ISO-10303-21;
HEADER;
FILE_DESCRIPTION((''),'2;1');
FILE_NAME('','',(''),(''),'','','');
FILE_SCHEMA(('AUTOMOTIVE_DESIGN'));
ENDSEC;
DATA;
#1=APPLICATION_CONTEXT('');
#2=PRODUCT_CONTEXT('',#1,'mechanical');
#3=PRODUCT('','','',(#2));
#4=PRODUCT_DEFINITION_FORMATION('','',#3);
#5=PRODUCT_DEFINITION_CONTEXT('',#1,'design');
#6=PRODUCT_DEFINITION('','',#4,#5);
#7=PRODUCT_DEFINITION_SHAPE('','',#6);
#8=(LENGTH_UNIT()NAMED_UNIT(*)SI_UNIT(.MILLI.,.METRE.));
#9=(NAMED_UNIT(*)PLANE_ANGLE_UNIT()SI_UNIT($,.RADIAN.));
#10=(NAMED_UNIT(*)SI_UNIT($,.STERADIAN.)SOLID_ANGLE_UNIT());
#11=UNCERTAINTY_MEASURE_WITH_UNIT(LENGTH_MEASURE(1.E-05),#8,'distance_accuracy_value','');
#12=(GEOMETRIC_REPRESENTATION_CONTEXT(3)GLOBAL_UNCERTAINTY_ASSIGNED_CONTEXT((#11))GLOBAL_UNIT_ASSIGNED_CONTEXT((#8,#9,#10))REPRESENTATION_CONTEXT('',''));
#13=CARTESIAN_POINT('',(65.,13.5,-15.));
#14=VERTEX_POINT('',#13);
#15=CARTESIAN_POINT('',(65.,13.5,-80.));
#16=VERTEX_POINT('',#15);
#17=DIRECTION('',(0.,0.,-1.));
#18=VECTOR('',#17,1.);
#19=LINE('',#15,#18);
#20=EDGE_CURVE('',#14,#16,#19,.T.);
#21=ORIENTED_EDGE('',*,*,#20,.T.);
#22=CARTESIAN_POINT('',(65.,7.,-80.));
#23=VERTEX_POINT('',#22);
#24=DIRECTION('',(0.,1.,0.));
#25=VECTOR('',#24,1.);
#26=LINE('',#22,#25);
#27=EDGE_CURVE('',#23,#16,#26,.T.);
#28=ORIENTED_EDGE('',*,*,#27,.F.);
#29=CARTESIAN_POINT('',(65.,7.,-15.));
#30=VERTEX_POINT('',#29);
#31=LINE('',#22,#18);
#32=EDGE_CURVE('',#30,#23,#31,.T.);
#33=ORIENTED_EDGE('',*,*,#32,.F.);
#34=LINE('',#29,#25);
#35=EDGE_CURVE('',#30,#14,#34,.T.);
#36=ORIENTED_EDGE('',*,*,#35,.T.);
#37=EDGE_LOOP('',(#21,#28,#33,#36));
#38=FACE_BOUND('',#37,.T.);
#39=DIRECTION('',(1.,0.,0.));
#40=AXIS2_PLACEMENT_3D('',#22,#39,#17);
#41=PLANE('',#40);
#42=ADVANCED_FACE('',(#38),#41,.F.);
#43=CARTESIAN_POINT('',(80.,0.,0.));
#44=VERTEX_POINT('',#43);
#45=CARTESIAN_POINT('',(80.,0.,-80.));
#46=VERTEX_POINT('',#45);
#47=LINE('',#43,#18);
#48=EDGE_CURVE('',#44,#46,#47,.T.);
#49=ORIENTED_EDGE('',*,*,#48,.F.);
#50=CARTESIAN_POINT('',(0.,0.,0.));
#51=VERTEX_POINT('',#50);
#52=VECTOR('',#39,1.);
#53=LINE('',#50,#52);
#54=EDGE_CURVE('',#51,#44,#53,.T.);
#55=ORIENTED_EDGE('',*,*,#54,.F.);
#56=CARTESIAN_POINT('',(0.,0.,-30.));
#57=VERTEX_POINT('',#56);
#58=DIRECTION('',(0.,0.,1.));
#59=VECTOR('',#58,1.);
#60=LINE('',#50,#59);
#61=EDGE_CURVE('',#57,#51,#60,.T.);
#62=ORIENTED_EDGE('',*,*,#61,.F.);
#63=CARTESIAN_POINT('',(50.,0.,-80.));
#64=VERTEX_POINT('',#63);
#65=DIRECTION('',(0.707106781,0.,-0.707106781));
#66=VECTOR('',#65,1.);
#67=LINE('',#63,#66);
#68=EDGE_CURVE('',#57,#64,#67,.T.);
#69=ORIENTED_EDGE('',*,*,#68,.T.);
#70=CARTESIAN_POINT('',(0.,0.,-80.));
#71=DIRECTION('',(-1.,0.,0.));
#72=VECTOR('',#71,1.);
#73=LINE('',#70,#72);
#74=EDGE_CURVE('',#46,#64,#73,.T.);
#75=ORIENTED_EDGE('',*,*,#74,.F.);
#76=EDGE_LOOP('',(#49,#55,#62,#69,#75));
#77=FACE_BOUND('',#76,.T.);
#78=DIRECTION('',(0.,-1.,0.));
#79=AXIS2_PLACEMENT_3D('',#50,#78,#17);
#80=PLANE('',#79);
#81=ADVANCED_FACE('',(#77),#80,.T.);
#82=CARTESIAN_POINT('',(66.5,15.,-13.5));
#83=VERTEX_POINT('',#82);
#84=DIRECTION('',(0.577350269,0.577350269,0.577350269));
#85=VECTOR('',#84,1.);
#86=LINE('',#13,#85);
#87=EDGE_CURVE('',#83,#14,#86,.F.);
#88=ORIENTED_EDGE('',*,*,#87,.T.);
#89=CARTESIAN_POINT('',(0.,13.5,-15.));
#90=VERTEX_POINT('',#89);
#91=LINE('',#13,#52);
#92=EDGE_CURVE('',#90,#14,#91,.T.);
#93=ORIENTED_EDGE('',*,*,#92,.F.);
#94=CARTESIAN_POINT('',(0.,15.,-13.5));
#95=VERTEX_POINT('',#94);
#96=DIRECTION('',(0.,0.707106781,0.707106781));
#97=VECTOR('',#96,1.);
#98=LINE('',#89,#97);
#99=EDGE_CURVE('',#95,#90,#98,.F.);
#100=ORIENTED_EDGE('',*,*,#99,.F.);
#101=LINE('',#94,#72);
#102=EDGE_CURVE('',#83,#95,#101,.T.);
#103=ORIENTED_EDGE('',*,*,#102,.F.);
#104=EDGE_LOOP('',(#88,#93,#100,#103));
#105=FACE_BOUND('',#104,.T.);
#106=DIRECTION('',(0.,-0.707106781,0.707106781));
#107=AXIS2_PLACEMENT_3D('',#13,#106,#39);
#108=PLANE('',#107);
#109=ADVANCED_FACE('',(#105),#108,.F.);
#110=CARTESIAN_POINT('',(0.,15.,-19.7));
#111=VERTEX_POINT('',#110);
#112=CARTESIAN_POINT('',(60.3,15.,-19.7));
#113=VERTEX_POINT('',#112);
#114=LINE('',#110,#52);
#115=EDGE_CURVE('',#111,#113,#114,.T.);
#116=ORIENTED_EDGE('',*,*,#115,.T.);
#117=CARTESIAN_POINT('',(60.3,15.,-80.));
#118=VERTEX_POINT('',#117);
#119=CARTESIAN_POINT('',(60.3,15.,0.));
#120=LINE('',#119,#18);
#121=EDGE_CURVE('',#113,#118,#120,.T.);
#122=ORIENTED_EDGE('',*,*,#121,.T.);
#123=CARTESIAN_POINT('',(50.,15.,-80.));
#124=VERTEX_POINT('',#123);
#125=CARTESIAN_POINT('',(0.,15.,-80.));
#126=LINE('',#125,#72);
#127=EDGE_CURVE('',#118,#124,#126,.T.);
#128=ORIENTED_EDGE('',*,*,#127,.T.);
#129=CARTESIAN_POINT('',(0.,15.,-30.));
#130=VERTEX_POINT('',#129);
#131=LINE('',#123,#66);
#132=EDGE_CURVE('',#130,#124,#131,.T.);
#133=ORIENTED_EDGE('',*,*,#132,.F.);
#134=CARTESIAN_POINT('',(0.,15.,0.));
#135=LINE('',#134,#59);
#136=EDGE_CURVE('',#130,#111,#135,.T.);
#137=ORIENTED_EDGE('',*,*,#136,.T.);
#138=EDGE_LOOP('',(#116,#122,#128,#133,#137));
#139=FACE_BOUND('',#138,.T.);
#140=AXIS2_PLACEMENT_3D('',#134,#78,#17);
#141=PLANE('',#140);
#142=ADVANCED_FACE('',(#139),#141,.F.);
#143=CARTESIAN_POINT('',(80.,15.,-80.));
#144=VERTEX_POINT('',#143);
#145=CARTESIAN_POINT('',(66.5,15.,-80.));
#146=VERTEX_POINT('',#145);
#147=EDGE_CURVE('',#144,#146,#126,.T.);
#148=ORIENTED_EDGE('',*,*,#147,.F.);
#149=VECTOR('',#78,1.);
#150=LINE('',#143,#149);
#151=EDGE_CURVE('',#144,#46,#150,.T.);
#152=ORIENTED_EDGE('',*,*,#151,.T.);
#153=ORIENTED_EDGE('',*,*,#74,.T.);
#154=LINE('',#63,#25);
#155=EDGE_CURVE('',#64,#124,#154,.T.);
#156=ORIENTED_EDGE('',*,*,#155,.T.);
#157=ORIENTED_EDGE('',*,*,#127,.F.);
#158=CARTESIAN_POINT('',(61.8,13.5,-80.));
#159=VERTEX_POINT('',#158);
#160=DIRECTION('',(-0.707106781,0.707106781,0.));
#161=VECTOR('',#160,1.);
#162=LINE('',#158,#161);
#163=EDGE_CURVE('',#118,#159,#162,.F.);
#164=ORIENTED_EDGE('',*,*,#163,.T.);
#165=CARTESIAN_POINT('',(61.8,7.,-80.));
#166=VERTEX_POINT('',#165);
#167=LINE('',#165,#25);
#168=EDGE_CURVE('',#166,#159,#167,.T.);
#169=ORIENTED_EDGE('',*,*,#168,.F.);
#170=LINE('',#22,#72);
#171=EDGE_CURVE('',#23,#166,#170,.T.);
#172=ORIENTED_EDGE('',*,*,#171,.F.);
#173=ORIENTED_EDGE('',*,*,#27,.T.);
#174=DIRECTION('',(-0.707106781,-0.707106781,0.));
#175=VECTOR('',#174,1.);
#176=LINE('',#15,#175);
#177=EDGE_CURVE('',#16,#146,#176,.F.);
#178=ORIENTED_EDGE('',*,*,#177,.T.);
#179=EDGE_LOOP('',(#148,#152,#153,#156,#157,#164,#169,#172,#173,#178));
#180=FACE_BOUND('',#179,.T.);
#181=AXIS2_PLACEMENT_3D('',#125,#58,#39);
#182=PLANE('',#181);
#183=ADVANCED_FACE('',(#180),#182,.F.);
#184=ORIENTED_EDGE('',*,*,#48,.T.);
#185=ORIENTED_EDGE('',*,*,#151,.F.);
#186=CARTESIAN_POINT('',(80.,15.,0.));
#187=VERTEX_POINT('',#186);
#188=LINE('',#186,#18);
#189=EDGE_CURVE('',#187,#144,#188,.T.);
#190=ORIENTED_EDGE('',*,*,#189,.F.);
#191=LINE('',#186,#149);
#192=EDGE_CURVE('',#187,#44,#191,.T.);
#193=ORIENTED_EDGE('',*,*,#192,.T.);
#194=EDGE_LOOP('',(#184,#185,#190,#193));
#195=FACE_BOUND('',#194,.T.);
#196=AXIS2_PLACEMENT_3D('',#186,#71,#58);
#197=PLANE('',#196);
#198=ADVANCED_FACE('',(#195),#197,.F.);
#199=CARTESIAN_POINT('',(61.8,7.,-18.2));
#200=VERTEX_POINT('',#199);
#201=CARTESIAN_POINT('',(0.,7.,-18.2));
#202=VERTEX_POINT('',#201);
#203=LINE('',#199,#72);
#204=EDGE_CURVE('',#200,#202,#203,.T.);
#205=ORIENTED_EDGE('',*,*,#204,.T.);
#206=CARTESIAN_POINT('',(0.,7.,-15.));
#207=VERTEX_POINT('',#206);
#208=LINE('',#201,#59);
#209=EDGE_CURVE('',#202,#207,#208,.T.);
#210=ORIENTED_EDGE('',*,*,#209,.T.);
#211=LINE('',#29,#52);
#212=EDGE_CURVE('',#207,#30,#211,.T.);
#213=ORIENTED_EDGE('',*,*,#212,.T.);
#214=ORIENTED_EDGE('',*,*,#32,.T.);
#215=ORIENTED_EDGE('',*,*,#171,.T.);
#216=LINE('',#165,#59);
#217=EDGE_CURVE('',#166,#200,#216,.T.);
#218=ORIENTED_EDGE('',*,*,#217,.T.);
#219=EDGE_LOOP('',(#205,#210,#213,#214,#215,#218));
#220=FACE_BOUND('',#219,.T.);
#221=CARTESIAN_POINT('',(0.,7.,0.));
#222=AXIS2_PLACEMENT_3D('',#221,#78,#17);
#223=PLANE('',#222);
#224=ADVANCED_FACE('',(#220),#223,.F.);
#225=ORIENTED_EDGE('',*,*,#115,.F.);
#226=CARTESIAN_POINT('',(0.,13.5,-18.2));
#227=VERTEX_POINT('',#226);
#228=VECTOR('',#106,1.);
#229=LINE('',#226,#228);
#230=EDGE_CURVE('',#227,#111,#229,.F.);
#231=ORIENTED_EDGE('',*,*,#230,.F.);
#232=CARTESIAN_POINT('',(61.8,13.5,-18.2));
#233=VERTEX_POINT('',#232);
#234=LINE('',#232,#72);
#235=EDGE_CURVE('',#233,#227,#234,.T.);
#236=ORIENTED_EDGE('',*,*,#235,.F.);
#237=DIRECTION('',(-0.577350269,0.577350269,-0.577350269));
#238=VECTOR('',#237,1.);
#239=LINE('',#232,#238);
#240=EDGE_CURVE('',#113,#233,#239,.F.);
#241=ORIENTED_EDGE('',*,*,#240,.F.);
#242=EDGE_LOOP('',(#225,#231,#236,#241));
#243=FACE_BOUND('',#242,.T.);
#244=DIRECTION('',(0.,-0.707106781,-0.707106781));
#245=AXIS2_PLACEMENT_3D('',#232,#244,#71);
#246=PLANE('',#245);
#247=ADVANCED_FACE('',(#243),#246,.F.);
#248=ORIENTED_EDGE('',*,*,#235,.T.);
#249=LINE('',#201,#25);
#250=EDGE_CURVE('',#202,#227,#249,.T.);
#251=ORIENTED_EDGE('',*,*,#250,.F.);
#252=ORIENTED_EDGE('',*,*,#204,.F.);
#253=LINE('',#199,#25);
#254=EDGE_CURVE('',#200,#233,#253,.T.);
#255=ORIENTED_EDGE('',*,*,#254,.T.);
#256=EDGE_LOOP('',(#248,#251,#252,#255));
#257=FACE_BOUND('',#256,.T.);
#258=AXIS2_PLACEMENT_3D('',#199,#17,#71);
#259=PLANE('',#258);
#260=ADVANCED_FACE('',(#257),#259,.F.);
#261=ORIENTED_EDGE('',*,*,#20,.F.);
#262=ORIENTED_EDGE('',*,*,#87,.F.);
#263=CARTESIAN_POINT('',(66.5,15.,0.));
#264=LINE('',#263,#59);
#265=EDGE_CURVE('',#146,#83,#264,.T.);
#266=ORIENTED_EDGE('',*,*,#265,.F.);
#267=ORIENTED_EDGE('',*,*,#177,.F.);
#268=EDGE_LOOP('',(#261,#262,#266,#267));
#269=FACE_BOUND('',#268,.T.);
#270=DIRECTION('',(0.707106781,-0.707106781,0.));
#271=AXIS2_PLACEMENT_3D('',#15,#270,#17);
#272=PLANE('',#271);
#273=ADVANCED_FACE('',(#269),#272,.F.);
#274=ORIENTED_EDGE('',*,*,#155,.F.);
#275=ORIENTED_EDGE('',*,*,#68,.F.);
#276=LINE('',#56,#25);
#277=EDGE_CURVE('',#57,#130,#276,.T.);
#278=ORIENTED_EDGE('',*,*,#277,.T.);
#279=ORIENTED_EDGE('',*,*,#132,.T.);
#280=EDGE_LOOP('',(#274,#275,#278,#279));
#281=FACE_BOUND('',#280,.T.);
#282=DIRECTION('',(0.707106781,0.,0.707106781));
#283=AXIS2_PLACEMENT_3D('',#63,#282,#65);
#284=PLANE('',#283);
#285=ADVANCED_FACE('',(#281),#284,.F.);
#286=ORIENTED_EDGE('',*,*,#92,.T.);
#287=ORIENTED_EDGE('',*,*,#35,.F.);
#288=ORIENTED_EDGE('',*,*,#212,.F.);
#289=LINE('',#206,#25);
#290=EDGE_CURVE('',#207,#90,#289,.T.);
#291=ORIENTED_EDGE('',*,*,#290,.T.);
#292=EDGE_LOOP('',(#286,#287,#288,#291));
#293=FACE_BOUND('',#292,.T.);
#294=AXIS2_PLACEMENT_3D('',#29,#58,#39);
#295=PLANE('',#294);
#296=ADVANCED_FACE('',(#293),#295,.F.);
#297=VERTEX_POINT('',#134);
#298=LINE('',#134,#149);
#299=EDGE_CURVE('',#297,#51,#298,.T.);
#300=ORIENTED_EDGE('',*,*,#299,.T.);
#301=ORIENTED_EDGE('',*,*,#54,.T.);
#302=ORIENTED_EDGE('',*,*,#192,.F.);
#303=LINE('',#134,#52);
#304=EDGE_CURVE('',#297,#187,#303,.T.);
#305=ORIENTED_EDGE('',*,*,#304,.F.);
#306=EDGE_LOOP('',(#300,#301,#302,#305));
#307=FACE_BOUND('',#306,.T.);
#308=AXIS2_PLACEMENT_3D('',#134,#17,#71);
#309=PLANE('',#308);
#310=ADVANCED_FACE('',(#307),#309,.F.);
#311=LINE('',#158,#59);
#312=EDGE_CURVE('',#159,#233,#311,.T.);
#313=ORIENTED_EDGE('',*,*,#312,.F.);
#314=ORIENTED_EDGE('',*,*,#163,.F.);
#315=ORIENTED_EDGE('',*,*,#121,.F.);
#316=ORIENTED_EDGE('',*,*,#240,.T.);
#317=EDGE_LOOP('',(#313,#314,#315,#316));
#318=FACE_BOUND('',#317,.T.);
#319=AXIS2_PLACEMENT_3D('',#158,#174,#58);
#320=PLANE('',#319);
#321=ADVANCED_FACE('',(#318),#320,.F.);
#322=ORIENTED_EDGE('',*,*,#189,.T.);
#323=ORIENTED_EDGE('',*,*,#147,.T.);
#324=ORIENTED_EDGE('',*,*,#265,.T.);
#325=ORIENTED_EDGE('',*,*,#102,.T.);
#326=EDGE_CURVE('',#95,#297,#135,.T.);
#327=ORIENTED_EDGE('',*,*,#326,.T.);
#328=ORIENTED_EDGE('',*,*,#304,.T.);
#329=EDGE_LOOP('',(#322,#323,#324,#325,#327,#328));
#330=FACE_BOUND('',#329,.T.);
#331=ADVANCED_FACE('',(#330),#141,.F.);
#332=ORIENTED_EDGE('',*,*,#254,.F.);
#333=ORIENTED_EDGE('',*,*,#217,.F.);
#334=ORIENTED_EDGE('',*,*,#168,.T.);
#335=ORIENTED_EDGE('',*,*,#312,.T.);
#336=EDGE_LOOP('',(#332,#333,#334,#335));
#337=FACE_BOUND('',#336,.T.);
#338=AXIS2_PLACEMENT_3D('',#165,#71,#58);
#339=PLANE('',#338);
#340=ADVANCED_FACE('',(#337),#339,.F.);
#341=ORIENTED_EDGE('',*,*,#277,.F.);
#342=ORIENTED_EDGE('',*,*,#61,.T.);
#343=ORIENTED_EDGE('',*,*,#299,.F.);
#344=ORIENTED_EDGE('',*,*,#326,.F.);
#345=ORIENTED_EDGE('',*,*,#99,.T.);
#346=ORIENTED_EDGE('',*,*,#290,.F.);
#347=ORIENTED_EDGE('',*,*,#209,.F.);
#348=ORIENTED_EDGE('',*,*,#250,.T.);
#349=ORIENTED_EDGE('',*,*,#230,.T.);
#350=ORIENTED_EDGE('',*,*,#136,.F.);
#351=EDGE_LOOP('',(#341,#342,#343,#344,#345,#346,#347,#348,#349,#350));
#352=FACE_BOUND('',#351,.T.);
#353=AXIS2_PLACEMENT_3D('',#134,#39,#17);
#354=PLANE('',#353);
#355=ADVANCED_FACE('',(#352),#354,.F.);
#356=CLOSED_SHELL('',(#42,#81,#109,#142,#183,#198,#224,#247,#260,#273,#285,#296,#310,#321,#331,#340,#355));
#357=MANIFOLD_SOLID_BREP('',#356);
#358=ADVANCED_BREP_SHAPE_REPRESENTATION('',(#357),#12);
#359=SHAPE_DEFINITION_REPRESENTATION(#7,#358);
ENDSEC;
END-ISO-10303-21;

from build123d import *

# Parameters (mm, degrees)
SKETCH1_W           = 80
SKETCH1_H           = 80
BOSS_EXTRUDE1_DEPTH = 15
CUT_EXTRUDE2_DEPTH  = 8
CHAMFER3_SIZE       = 1.5
CUT_EXTRUDE3_DEPTH  = 115.127122105


with BuildPart() as part:
    # Sketch1 → Boss-Extrude1 (new body)
    with BuildSketch(Plane(origin=(0, 0, 0), x_dir=(1, 0, 0), z_dir=(0, 1, 0))):
        with Locations((40, 40)):
            Rectangle(SKETCH1_W, SKETCH1_H)
    extrude(amount=BOSS_EXTRUDE1_DEPTH)

    # Sketch3 → Cut-Extrude2 (cut)
    with BuildSketch(Plane(origin=(0, 15, 0), x_dir=(1, 0, 0), z_dir=(0, 1, 0))):
        Polygon((65, 80), (61.8, 80), (61.8, 18.2), (0, 18.2), (0, 15), (65, 15), align=None)
    extrude(amount=-CUT_EXTRUDE2_DEPTH, mode=Mode.SUBTRACT)

    # Chamfer3
    chamfer3_edges = [part.edges().sort_by_distance(p)[0] for p in [
        (65, 15, -47.5),
        (61.8, 15, -49.1),
        (30.9, 15, -18.2),
        (32.5, 15, -15),
    ]]
    chamfer(chamfer3_edges, length=CHAMFER3_SIZE)

    # Sketch4 → Cut-Extrude3 (cut, through all)
    with BuildSketch(Plane(origin=(0, 15, 0), x_dir=(1, 0, 0), z_dir=(0, 1, 0))):
        Polygon((0, 80), (50, 80), (0, 30), align=None)
    extrude(amount=-CUT_EXTRUDE3_DEPTH, mode=Mode.SUBTRACT)


solid = part.part
